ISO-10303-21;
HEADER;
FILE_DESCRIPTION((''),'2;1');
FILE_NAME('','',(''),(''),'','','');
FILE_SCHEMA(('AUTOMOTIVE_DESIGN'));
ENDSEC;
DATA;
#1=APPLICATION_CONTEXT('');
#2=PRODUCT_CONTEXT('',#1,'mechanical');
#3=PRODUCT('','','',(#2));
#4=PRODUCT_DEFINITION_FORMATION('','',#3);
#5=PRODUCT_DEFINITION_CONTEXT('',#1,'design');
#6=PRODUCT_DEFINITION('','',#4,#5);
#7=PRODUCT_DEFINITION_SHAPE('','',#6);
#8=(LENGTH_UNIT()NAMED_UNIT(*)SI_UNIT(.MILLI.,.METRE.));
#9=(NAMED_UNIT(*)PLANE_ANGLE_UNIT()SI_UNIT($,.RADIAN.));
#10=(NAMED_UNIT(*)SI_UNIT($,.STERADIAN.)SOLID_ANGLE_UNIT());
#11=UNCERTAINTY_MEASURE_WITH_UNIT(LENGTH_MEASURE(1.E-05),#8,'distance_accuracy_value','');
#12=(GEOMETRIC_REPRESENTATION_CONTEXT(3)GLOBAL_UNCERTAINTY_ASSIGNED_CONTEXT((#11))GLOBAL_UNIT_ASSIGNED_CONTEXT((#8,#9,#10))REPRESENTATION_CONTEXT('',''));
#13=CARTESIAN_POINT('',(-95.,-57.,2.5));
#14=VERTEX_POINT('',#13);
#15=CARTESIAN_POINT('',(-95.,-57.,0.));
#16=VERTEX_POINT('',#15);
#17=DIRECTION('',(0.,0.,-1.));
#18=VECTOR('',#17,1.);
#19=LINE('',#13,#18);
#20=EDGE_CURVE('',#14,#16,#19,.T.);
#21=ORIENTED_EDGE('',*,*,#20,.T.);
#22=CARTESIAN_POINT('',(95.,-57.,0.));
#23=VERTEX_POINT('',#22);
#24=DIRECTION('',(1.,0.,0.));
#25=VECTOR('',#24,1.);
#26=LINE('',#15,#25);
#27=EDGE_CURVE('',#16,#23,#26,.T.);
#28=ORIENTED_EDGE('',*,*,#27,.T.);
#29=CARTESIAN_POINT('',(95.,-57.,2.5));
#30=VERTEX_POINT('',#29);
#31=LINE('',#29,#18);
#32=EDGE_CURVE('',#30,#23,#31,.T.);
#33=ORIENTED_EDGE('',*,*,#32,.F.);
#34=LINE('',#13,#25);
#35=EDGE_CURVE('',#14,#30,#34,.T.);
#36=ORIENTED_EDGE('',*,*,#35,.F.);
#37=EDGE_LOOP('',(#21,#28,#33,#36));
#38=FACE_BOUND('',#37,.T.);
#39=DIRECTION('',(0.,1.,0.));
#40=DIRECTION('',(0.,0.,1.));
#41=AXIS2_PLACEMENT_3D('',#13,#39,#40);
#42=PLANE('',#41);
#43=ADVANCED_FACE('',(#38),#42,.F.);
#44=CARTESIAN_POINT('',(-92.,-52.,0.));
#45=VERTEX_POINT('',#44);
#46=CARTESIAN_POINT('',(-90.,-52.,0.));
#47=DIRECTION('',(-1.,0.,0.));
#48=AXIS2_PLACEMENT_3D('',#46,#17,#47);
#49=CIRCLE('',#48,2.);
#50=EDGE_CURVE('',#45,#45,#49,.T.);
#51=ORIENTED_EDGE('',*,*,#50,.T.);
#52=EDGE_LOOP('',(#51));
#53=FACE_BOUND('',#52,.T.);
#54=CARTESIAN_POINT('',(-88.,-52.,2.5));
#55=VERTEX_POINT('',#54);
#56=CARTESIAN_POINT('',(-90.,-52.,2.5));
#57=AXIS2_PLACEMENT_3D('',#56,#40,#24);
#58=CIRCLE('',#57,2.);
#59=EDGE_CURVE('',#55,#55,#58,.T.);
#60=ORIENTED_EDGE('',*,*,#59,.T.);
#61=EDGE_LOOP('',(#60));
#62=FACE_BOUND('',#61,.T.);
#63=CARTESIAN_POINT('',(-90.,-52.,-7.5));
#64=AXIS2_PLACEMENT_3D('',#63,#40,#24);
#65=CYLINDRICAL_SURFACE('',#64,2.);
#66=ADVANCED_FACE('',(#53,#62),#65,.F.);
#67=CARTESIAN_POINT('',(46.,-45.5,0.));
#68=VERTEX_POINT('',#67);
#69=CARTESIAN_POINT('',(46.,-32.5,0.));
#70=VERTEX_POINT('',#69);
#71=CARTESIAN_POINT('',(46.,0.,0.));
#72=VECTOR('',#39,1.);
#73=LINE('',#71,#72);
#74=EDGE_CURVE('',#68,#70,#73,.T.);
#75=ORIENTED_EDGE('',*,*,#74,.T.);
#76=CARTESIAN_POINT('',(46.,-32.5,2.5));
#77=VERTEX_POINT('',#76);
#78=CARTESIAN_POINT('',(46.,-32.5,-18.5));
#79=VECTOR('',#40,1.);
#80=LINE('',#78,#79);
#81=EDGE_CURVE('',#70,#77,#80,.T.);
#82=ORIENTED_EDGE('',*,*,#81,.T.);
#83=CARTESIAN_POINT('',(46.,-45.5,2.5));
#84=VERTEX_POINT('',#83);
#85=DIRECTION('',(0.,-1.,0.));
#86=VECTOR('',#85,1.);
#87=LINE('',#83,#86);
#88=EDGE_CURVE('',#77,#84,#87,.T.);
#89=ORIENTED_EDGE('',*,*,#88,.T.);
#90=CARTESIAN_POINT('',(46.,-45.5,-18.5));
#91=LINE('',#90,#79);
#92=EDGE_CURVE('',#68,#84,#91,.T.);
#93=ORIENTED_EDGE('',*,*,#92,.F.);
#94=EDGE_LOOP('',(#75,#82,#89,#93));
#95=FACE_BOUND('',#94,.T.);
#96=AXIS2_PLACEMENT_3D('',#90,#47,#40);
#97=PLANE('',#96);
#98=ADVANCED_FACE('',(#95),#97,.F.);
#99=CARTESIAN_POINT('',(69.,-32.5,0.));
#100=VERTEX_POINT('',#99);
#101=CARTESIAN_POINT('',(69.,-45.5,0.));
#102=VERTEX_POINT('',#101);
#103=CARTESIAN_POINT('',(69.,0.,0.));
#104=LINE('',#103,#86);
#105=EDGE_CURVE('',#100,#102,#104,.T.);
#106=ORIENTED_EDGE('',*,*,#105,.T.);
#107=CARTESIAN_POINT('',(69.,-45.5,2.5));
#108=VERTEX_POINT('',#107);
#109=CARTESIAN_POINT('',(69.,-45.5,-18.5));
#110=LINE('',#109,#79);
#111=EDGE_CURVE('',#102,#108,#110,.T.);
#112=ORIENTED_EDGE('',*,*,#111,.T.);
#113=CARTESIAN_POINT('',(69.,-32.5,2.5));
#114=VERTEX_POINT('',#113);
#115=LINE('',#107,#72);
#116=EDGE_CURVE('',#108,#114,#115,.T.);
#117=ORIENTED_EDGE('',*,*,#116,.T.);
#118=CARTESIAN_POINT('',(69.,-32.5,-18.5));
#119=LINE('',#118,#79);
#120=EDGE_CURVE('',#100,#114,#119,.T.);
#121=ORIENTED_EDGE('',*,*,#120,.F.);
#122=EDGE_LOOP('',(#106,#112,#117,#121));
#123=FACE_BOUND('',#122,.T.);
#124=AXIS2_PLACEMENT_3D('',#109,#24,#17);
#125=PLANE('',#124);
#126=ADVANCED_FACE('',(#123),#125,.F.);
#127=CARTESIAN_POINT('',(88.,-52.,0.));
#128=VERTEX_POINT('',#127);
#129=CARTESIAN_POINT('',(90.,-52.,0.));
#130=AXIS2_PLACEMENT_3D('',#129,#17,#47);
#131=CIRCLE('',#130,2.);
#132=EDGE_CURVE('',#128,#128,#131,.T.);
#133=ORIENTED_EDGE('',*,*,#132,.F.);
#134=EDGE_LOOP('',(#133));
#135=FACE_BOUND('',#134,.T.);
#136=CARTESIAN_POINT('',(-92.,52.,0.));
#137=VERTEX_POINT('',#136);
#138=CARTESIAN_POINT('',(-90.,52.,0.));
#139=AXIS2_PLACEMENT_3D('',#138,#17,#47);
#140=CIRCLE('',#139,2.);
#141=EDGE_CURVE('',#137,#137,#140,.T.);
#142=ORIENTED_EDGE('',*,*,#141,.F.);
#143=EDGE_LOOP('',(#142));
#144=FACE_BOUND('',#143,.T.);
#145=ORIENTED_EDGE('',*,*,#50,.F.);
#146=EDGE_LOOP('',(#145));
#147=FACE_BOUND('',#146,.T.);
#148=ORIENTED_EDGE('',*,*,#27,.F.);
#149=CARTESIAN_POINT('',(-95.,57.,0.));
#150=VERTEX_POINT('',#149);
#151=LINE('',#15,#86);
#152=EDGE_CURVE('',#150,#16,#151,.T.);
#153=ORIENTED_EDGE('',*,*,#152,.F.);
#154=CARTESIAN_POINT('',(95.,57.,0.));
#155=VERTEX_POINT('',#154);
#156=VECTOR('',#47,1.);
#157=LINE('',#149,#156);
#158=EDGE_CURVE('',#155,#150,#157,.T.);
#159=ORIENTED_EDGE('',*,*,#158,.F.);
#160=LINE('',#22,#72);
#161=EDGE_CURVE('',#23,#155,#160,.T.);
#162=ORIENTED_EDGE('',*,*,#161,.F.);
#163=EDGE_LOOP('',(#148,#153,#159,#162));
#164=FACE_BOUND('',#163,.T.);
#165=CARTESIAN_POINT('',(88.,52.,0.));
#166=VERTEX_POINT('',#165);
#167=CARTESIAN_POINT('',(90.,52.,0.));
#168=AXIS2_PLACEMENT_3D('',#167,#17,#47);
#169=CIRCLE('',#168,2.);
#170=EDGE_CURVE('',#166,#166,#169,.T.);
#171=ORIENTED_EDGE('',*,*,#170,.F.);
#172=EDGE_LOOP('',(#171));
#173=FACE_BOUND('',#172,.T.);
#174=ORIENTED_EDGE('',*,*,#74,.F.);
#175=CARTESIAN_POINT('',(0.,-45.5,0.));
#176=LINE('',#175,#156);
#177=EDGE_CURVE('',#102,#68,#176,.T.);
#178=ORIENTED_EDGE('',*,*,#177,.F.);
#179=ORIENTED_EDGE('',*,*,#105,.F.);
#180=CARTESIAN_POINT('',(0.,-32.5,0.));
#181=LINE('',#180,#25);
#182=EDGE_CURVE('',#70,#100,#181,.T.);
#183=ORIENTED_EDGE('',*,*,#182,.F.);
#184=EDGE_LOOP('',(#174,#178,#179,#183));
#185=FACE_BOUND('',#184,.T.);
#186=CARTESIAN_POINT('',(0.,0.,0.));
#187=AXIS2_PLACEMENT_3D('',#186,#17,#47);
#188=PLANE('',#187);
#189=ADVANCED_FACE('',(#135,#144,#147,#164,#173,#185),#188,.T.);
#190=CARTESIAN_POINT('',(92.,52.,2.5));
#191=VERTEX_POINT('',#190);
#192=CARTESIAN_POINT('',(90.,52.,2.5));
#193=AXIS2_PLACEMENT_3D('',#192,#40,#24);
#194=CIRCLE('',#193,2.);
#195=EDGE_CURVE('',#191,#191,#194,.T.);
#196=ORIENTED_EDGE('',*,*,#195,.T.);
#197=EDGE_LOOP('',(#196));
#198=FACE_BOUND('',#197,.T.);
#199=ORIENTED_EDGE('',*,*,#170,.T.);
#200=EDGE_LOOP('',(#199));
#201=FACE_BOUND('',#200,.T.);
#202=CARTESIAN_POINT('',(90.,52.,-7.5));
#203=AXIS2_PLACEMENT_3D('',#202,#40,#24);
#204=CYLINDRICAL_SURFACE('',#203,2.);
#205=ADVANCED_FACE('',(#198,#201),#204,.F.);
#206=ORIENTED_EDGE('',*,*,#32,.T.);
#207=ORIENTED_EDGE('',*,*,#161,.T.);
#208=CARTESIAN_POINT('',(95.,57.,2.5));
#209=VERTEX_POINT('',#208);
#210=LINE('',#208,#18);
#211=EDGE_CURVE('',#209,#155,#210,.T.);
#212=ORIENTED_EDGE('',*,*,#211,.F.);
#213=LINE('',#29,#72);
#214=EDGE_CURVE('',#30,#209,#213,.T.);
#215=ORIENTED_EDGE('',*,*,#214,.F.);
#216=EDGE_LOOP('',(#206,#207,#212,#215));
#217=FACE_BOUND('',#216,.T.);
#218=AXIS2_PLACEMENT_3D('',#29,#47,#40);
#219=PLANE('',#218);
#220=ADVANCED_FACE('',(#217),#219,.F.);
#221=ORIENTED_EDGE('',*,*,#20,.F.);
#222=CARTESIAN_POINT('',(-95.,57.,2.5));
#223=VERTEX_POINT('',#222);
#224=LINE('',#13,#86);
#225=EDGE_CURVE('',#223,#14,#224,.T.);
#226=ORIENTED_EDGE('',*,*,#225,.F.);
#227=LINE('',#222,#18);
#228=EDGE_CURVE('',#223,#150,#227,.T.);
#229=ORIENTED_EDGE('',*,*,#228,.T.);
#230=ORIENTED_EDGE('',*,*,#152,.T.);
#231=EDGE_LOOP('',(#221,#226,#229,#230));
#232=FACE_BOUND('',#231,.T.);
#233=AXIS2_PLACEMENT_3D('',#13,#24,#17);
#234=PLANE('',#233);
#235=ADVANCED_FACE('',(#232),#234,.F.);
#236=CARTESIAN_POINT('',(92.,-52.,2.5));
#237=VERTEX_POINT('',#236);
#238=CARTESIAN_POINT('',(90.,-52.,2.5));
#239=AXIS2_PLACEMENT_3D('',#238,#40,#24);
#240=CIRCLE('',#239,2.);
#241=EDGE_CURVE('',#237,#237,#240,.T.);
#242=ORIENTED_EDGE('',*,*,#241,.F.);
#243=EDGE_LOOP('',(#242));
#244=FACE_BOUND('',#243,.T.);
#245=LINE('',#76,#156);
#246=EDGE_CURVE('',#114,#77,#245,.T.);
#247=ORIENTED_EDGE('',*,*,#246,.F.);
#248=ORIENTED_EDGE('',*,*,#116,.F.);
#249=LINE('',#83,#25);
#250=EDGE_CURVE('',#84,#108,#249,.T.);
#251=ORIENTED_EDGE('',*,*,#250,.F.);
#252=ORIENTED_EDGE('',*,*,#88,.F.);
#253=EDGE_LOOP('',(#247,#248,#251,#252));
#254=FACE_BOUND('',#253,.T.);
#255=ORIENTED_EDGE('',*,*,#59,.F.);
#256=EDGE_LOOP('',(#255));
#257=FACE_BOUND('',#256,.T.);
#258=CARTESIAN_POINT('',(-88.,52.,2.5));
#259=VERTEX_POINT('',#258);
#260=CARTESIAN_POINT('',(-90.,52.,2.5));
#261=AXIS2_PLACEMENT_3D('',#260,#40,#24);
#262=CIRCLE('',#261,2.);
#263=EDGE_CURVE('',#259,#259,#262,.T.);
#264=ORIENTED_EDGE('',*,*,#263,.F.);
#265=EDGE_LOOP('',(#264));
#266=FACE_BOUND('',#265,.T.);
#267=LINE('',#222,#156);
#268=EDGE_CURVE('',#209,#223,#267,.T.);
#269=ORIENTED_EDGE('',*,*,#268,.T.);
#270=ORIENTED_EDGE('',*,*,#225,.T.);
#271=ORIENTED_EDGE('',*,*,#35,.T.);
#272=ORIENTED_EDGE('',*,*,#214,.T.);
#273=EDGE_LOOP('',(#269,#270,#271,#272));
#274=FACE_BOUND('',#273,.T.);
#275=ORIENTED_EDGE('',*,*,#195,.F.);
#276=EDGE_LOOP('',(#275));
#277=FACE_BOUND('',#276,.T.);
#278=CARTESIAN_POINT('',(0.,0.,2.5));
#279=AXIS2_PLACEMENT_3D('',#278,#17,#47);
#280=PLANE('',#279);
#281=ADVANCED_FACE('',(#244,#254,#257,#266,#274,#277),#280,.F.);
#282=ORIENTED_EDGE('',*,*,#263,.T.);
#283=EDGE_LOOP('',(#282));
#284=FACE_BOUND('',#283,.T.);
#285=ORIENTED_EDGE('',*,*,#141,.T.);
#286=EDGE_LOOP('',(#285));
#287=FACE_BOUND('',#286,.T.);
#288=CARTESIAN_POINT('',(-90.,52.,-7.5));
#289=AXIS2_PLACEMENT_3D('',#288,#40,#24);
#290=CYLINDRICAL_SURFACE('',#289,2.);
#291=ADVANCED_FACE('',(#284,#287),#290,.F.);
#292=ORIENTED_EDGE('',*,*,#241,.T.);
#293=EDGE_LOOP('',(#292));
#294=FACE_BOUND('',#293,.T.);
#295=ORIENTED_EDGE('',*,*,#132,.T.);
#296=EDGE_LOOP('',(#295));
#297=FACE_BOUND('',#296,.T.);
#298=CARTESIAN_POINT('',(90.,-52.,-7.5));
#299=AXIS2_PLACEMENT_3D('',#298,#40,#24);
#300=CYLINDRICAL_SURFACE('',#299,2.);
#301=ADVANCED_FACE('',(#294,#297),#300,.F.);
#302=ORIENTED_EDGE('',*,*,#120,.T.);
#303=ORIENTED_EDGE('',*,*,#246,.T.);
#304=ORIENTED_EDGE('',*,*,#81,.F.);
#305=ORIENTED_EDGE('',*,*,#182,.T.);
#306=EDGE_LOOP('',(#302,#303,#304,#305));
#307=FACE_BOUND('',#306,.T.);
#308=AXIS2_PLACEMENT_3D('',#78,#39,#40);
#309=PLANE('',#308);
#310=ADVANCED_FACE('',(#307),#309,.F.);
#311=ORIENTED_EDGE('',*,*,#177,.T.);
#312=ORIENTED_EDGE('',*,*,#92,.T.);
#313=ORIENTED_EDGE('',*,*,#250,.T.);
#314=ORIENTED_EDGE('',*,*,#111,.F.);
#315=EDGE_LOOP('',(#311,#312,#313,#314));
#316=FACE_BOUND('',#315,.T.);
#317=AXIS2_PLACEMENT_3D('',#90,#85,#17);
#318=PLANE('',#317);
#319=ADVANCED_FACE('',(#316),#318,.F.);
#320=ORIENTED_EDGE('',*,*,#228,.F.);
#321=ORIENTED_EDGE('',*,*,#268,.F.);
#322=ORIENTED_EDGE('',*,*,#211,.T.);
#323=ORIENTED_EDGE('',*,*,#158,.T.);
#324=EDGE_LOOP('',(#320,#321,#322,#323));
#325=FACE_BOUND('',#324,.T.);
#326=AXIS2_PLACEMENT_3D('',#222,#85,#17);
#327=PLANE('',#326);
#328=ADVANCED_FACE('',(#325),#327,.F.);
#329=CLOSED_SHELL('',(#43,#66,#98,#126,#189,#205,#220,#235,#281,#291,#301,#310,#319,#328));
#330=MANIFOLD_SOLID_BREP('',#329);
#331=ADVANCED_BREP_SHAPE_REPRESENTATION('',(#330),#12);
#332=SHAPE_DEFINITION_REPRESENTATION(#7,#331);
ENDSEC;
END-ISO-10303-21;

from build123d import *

# Parameters (mm, degrees)
SKETCH1_W           = 190
SKETCH1_H           = 114
BOSS_EXTRUDE1_DEPTH = 2.5
SKETCH3_R           = 2
CUT_EXTRUDE2_DEPTH  = 10
SKETCH4_W           = 23
SKETCH4_H           = 13
CUT_EXTRUDE3_DEPTH  = 21


with BuildPart() as part:
    # Sketch1 → Boss-Extrude1 (new body)
    with BuildSketch(Plane.XY):
        Rectangle(SKETCH1_W, SKETCH1_H)
    extrude(amount=BOSS_EXTRUDE1_DEPTH)

    # Sketch3 → Cut-Extrude2 (cut)
    with BuildSketch(Plane.XY.offset(2.5)):
        with Locations((-90, 52)):
            Circle(SKETCH3_R)
        with Locations((90, 52)):
            Circle(SKETCH3_R)
        with Locations((90, -52)):
            Circle(SKETCH3_R)
        with Locations((-90, -52)):
            Circle(SKETCH3_R)
    extrude(amount=-CUT_EXTRUDE2_DEPTH, mode=Mode.SUBTRACT)

    # Sketch4 → Cut-Extrude3 (cut)
    with BuildSketch(Plane.XY.offset(2.5)):
        with Locations((57.5, -39)):
            Rectangle(SKETCH4_W, SKETCH4_H)
    extrude(amount=-CUT_EXTRUDE3_DEPTH, mode=Mode.SUBTRACT)


solid = part.part
